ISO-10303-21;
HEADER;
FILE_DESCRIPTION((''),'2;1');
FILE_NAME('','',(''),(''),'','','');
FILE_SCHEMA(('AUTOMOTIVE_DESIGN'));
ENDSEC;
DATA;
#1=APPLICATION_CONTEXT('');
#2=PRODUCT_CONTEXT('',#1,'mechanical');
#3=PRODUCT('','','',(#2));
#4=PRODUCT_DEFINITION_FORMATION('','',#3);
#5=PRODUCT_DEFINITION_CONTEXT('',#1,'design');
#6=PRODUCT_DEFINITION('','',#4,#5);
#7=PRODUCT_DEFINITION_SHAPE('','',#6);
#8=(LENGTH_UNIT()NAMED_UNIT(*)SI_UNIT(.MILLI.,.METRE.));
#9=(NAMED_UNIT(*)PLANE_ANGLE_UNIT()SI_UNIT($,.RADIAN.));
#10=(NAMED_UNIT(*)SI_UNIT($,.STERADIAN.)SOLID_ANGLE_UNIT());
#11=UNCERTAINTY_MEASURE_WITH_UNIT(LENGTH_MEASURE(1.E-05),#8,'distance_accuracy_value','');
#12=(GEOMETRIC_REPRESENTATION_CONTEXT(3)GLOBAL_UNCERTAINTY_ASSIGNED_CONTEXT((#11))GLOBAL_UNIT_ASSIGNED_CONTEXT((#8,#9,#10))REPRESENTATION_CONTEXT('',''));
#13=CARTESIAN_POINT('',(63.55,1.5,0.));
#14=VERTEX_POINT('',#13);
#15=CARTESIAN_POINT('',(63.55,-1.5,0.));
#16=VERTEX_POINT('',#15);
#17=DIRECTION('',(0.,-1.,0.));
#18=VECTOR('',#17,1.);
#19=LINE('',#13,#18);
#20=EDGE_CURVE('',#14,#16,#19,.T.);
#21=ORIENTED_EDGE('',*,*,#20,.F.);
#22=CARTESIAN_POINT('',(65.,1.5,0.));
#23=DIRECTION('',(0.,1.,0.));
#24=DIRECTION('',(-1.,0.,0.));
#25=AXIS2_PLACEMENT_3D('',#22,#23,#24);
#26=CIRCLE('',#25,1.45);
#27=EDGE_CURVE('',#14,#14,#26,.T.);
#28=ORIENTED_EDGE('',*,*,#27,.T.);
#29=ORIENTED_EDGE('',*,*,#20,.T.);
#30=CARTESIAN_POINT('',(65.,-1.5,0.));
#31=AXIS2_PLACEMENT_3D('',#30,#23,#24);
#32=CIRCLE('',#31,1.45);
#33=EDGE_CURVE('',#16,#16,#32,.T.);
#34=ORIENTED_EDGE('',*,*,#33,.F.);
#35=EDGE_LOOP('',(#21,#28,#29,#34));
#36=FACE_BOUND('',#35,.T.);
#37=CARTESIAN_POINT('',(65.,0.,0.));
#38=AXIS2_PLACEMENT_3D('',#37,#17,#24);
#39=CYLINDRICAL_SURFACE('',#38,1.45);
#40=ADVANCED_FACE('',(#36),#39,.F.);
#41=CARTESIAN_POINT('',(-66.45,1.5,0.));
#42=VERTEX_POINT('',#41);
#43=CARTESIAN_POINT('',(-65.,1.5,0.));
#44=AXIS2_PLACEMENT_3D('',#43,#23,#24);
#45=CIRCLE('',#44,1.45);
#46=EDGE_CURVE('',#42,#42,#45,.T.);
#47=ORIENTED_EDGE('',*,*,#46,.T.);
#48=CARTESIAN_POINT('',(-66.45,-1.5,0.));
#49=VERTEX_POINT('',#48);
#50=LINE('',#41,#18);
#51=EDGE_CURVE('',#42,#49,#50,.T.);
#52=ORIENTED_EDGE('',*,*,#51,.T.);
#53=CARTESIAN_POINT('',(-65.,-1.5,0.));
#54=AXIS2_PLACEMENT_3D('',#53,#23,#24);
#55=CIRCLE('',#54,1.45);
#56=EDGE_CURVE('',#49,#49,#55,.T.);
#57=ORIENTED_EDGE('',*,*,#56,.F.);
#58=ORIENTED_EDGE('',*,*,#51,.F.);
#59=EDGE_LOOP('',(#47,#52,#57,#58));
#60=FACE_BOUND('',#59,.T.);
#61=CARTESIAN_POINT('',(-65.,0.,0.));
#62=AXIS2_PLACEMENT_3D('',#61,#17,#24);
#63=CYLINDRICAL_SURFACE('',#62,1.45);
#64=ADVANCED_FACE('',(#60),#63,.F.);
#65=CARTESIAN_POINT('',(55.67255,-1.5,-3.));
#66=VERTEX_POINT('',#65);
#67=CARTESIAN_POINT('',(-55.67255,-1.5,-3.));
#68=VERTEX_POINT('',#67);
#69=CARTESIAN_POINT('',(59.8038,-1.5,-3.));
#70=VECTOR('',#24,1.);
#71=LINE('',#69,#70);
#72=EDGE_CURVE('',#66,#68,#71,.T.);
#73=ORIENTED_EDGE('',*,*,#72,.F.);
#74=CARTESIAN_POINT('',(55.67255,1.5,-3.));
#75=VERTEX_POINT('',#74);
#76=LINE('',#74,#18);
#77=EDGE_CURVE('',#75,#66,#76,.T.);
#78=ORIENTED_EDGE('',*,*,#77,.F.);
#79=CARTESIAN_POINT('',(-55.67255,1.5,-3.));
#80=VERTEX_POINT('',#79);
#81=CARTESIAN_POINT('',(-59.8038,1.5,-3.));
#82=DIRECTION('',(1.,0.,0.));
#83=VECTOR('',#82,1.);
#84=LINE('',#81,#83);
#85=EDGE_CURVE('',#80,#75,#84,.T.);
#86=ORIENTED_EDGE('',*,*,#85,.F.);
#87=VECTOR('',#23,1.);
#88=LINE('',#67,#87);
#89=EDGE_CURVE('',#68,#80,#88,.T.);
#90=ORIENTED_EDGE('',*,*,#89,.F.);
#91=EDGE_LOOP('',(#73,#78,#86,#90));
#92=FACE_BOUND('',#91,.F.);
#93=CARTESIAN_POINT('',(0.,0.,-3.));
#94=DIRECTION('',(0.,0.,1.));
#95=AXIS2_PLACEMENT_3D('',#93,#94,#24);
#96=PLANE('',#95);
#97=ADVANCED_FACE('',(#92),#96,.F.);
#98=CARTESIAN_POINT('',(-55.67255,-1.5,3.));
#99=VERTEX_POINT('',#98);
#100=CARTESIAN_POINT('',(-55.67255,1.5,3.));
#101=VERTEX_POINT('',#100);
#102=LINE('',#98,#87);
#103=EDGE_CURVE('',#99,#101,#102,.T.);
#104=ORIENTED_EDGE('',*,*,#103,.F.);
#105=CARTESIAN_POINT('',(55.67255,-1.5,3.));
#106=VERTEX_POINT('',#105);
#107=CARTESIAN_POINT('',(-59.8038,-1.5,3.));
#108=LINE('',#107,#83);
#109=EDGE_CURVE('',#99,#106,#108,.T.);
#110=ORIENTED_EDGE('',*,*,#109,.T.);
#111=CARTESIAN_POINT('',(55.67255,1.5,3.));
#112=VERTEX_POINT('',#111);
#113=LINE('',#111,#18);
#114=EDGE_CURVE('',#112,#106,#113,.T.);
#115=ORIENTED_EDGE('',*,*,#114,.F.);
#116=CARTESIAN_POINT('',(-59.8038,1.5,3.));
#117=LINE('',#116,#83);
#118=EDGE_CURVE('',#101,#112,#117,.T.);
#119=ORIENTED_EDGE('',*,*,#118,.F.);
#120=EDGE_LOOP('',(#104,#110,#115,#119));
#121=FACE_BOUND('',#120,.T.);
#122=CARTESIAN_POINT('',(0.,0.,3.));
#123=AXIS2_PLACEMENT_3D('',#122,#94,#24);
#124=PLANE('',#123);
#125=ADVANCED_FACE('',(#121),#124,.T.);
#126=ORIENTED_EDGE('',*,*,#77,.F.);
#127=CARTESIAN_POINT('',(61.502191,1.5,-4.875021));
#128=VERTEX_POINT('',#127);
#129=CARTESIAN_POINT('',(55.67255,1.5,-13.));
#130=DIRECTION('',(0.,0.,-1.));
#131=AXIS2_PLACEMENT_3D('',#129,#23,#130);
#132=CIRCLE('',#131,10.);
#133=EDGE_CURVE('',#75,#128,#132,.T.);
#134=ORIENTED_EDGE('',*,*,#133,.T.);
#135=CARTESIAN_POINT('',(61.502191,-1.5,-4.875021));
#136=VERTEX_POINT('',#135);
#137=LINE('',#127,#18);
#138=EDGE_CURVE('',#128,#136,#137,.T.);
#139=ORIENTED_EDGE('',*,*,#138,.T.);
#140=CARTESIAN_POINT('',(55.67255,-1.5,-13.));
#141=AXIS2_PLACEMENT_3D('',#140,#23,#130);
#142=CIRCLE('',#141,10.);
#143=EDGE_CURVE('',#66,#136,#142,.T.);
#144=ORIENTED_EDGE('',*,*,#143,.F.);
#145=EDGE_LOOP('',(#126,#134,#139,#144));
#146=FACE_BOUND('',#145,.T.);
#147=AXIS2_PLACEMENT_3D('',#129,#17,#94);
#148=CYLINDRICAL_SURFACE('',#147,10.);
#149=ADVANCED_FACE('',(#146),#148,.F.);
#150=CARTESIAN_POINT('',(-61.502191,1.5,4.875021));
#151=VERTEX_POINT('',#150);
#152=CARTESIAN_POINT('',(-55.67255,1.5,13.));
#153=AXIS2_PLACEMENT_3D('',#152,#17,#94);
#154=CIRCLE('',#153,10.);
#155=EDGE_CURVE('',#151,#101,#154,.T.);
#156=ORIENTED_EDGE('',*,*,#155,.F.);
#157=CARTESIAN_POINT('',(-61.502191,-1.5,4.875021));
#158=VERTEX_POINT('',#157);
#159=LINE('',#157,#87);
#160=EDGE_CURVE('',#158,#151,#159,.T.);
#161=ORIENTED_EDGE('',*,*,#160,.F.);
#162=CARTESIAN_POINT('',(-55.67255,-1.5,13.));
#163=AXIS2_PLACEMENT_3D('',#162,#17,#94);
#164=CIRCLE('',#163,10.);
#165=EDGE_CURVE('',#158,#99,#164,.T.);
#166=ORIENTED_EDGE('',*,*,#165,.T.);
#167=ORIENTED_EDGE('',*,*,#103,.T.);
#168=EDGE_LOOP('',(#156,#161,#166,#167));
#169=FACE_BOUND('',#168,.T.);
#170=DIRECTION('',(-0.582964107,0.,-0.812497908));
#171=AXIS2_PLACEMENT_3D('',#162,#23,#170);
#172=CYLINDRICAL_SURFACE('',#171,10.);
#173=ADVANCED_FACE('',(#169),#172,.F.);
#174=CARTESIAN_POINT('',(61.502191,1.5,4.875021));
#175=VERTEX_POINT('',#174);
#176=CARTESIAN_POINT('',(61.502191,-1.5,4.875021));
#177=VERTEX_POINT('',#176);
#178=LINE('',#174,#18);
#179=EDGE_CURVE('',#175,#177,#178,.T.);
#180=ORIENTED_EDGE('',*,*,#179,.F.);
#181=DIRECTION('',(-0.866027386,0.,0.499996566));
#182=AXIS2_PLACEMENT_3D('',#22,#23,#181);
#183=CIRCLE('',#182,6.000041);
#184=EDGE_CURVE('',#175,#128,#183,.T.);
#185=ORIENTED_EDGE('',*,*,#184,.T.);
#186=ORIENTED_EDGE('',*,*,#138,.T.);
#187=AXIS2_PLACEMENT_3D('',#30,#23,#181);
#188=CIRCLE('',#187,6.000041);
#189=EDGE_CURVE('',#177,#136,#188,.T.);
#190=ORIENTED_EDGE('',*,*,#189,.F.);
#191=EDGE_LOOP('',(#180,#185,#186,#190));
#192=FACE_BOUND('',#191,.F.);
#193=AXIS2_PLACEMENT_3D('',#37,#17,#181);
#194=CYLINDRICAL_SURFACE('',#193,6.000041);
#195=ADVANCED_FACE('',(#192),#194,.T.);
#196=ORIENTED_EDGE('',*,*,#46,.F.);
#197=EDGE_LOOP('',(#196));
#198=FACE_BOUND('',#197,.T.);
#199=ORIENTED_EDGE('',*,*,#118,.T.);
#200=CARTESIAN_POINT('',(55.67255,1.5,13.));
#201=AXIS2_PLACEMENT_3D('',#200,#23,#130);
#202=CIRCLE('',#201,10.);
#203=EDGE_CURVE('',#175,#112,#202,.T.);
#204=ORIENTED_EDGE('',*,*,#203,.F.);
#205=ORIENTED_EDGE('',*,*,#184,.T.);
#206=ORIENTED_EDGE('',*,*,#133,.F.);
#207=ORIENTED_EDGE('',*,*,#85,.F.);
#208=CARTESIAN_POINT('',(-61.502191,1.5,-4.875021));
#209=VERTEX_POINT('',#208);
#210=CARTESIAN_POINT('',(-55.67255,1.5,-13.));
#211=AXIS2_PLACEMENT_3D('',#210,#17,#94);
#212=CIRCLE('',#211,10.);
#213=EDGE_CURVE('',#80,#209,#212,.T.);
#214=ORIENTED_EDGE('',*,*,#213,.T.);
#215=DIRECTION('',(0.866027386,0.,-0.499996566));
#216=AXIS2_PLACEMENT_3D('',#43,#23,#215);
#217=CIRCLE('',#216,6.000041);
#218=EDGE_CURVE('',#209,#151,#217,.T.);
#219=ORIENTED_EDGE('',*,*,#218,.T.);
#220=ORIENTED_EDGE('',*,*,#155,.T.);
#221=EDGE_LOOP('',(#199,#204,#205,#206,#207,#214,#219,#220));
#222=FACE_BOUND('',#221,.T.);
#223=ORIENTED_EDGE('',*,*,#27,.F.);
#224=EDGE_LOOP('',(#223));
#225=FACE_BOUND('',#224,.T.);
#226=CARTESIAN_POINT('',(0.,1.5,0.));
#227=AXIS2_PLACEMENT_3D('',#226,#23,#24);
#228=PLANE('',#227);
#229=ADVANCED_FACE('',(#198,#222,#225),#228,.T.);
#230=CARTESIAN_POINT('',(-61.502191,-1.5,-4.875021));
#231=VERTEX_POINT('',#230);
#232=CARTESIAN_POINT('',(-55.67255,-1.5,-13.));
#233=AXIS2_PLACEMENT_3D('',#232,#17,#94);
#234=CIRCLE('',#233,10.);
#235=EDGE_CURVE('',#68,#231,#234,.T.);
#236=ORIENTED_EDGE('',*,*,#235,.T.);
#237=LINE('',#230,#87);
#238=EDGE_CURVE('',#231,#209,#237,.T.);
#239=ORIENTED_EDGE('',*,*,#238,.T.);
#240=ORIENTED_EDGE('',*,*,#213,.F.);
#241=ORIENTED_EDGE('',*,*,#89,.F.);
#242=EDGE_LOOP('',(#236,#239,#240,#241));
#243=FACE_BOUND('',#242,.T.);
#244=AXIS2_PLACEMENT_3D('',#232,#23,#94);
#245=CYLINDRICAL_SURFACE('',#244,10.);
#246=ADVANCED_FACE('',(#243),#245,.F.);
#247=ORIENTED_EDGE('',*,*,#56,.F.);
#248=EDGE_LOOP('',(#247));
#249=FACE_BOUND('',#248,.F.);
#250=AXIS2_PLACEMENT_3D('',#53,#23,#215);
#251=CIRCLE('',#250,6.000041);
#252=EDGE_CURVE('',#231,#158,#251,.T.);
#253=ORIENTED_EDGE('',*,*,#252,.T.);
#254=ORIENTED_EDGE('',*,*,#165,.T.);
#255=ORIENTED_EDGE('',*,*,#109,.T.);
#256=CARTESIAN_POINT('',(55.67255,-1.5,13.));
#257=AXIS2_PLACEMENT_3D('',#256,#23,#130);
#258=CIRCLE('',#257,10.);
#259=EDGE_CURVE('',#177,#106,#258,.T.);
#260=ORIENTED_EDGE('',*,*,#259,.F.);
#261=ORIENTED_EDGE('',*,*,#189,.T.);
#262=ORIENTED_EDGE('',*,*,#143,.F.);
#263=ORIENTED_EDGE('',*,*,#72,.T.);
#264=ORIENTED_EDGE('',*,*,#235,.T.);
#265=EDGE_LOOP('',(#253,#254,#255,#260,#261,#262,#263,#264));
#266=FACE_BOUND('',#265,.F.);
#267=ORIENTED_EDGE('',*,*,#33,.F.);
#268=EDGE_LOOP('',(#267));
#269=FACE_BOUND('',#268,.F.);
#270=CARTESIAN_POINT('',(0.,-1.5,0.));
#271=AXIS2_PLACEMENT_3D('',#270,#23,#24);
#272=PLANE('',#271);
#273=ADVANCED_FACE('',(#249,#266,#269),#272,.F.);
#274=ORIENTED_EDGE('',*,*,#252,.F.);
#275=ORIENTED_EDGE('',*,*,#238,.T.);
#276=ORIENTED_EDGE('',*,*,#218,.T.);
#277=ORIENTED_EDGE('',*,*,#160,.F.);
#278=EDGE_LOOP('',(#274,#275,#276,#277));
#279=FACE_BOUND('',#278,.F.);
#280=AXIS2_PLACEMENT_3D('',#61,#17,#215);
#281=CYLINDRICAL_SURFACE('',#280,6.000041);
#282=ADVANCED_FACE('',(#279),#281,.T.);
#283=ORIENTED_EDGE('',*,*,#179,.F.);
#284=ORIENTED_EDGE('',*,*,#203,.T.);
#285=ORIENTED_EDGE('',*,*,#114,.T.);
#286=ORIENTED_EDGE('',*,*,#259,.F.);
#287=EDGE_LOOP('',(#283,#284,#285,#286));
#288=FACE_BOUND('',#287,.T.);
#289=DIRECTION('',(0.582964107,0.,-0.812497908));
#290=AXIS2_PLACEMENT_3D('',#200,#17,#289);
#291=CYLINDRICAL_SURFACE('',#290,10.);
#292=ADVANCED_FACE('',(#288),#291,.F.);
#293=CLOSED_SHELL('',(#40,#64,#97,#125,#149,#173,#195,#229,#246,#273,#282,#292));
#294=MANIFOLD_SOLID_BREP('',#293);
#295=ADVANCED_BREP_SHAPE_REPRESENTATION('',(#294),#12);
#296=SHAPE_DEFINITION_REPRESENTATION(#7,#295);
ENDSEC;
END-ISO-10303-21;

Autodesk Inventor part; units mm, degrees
ref_plane "YZ Plane" through (0, 0, 0) normal (1, 0, 0) x (0, 1, 0)
ref_plane "XZ Plane" through (0, 0, 0) normal (0, 1, 0) x (-1, 0, 0)
ref_plane "XY Plane" through (0, 0, 0) normal (0, 0, 1) x (1, 0, 0)
sketch "Эскиз1" plane through (0, 0, 0) normal (0, 1, 0) x (-1, 0, 0)
  arc A0 (59.8038, -3) -> (59.8038, 3) centre (65, 0) ccw
  line L0 (29.2568, 0) -> (27.2769, 0)
  circle A1 centre (65, 0) radius 1.45
  line L1 (0, -3) -> (59.8038, -3)
  line L2 (0, 3) -> (59.8038, 3)
  line L3 (0, -9.1238) -> (0, 12.1062) construction
  arc A2 (-59.8038, 3) -> (-59.8038, -3) centre (-65, 0) ccw
  circle A3 centre (-65, 0) radius 1.45
  line L4 (0, -3) -> (-59.8038, -3)
  line L5 (0, 3) -> (-59.8038, 3)
  point P0 (0, 0)
  dimension "d2" = 2.9
  dimension "d5" = 6
  dimension "d7" = 6
  dimension "d8" = 65
extrude "Выдавливание1" add sketch "Эскиз1" along normal mid plane 3
fillet "Сопряжение1" radius 10 4 edges at (-59.8038, 0, -3) (-59.8038, 0, 3) (59.8038, 0, 3) (59.8038, 0, -3)
properties part number "Рычаг головы" material "Золото"
